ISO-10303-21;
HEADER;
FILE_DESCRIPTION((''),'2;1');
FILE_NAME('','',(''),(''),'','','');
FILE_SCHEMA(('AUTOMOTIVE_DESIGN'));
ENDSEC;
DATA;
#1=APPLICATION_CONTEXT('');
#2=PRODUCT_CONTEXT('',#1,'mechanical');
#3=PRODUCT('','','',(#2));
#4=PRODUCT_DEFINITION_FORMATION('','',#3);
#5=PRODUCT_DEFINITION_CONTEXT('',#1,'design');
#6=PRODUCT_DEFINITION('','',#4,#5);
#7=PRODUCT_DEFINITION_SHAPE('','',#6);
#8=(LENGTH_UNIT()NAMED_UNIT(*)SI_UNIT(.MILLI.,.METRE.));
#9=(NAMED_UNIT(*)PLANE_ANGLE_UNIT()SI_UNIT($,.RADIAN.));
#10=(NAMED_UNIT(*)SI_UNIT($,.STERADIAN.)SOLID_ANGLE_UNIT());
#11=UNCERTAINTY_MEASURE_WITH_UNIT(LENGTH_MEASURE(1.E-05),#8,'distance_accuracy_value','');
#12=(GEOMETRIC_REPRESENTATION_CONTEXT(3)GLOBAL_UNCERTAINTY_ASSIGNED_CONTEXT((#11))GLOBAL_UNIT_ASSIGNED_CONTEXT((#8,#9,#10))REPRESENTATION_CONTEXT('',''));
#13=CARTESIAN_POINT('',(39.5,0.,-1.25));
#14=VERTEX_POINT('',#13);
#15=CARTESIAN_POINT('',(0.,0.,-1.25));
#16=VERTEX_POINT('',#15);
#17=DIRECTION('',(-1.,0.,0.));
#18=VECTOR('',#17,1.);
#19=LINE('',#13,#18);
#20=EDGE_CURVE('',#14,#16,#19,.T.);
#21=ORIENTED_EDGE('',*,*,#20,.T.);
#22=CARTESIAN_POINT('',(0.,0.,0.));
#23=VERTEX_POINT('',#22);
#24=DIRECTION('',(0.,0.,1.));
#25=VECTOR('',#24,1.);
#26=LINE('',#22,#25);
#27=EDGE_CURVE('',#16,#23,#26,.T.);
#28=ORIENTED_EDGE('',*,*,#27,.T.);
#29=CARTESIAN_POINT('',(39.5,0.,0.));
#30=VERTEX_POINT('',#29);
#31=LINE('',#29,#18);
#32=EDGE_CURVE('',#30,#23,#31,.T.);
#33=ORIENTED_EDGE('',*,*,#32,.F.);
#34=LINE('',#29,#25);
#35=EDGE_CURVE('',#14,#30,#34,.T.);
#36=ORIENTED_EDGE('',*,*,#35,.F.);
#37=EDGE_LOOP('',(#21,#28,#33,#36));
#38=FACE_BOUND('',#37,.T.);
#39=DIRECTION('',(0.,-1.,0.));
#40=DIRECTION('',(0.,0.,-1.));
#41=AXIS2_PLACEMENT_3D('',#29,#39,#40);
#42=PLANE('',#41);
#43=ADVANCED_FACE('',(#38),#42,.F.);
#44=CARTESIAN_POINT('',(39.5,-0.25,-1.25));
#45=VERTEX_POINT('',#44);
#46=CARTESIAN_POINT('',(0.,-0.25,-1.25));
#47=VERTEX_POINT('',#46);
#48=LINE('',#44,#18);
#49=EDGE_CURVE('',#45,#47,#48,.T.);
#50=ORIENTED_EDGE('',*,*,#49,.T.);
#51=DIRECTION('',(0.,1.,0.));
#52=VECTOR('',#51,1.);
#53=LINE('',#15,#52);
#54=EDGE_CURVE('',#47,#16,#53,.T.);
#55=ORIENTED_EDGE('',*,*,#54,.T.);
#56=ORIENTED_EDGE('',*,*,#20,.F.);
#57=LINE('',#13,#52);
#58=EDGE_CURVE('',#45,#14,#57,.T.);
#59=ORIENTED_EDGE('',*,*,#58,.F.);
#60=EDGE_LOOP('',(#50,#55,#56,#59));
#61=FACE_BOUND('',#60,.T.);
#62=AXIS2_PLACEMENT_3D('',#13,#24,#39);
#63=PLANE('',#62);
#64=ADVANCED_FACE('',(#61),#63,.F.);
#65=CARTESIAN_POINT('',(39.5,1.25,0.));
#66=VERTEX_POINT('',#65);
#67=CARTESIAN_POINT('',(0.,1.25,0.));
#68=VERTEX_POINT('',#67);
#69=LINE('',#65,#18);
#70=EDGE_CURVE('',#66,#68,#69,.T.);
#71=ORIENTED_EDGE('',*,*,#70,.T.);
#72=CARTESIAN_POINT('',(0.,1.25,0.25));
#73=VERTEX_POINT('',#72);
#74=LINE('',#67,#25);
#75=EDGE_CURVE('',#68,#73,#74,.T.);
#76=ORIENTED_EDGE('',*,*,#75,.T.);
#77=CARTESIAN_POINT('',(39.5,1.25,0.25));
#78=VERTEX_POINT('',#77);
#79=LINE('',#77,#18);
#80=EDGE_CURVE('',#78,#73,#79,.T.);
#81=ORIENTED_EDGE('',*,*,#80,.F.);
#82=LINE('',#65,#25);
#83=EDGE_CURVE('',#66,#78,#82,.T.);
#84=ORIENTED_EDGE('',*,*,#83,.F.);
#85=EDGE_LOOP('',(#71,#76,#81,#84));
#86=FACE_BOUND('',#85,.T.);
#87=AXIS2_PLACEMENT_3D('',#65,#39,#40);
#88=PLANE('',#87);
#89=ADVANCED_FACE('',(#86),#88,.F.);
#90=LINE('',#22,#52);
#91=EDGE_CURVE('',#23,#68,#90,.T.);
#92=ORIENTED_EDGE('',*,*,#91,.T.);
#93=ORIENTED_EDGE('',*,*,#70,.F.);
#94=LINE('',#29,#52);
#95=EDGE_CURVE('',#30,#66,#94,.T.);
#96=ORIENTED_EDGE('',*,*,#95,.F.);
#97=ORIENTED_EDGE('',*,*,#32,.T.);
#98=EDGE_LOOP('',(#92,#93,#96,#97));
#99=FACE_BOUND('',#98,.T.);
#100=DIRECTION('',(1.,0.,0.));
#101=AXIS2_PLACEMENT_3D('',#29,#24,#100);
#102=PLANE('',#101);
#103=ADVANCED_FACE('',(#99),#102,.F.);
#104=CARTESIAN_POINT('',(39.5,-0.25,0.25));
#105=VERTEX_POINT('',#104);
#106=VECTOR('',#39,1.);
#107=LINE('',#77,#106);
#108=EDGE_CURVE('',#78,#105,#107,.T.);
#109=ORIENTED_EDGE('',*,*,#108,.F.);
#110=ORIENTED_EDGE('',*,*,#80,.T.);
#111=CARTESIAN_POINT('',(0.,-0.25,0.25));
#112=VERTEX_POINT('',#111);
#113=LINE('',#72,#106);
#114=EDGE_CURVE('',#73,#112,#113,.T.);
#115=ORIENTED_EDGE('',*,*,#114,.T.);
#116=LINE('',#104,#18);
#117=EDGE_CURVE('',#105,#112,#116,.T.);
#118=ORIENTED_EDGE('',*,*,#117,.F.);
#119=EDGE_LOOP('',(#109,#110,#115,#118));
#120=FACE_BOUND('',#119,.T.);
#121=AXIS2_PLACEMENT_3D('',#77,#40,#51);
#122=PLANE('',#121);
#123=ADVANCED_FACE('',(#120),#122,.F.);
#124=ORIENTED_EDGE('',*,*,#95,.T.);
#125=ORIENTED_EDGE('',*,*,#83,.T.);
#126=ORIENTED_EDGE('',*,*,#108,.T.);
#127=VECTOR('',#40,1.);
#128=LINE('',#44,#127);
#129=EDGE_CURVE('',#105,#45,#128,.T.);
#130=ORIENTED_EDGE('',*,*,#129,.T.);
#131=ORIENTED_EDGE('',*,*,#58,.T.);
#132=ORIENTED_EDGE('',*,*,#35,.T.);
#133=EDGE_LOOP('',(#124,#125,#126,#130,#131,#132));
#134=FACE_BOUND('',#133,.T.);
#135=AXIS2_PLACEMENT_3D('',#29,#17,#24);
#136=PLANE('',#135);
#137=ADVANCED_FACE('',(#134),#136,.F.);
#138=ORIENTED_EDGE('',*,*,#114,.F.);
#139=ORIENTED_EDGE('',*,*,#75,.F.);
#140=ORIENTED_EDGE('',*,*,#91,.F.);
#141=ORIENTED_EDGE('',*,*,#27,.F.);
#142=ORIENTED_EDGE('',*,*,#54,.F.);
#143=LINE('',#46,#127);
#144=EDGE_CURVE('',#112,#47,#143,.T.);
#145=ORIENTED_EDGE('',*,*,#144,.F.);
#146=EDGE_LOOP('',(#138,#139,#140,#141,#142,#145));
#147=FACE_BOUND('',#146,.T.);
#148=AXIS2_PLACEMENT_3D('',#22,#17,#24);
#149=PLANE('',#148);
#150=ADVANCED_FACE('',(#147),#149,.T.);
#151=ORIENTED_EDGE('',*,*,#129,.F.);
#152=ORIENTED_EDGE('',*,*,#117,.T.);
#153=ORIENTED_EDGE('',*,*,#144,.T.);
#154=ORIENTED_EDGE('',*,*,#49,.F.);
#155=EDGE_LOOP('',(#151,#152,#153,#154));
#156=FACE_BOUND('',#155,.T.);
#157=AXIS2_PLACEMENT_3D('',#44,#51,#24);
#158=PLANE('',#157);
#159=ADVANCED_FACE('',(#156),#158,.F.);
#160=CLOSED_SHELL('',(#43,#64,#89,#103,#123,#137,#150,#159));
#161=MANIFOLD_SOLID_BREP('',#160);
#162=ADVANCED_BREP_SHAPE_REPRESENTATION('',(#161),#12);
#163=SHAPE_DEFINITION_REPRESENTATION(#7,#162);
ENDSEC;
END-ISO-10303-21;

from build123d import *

# Parameters (mm, degrees)
BOSS_EXTRUDE1_DEPTH = 39.5


with BuildPart() as part:
    # Sketch1 → Boss-Extrude1 (new body)
    with BuildSketch(Plane(origin=(0, 0, 0), x_dir=(0, 0, -1), z_dir=(1, 0, 0))):
        Polygon((0, 0), (0, 1.25), (-0.25, 1.25), (-0.25, -0.25), (1.25, -0.25), (1.25, 0), align=None)
    extrude(amount=BOSS_EXTRUDE1_DEPTH)


solid = part.part
